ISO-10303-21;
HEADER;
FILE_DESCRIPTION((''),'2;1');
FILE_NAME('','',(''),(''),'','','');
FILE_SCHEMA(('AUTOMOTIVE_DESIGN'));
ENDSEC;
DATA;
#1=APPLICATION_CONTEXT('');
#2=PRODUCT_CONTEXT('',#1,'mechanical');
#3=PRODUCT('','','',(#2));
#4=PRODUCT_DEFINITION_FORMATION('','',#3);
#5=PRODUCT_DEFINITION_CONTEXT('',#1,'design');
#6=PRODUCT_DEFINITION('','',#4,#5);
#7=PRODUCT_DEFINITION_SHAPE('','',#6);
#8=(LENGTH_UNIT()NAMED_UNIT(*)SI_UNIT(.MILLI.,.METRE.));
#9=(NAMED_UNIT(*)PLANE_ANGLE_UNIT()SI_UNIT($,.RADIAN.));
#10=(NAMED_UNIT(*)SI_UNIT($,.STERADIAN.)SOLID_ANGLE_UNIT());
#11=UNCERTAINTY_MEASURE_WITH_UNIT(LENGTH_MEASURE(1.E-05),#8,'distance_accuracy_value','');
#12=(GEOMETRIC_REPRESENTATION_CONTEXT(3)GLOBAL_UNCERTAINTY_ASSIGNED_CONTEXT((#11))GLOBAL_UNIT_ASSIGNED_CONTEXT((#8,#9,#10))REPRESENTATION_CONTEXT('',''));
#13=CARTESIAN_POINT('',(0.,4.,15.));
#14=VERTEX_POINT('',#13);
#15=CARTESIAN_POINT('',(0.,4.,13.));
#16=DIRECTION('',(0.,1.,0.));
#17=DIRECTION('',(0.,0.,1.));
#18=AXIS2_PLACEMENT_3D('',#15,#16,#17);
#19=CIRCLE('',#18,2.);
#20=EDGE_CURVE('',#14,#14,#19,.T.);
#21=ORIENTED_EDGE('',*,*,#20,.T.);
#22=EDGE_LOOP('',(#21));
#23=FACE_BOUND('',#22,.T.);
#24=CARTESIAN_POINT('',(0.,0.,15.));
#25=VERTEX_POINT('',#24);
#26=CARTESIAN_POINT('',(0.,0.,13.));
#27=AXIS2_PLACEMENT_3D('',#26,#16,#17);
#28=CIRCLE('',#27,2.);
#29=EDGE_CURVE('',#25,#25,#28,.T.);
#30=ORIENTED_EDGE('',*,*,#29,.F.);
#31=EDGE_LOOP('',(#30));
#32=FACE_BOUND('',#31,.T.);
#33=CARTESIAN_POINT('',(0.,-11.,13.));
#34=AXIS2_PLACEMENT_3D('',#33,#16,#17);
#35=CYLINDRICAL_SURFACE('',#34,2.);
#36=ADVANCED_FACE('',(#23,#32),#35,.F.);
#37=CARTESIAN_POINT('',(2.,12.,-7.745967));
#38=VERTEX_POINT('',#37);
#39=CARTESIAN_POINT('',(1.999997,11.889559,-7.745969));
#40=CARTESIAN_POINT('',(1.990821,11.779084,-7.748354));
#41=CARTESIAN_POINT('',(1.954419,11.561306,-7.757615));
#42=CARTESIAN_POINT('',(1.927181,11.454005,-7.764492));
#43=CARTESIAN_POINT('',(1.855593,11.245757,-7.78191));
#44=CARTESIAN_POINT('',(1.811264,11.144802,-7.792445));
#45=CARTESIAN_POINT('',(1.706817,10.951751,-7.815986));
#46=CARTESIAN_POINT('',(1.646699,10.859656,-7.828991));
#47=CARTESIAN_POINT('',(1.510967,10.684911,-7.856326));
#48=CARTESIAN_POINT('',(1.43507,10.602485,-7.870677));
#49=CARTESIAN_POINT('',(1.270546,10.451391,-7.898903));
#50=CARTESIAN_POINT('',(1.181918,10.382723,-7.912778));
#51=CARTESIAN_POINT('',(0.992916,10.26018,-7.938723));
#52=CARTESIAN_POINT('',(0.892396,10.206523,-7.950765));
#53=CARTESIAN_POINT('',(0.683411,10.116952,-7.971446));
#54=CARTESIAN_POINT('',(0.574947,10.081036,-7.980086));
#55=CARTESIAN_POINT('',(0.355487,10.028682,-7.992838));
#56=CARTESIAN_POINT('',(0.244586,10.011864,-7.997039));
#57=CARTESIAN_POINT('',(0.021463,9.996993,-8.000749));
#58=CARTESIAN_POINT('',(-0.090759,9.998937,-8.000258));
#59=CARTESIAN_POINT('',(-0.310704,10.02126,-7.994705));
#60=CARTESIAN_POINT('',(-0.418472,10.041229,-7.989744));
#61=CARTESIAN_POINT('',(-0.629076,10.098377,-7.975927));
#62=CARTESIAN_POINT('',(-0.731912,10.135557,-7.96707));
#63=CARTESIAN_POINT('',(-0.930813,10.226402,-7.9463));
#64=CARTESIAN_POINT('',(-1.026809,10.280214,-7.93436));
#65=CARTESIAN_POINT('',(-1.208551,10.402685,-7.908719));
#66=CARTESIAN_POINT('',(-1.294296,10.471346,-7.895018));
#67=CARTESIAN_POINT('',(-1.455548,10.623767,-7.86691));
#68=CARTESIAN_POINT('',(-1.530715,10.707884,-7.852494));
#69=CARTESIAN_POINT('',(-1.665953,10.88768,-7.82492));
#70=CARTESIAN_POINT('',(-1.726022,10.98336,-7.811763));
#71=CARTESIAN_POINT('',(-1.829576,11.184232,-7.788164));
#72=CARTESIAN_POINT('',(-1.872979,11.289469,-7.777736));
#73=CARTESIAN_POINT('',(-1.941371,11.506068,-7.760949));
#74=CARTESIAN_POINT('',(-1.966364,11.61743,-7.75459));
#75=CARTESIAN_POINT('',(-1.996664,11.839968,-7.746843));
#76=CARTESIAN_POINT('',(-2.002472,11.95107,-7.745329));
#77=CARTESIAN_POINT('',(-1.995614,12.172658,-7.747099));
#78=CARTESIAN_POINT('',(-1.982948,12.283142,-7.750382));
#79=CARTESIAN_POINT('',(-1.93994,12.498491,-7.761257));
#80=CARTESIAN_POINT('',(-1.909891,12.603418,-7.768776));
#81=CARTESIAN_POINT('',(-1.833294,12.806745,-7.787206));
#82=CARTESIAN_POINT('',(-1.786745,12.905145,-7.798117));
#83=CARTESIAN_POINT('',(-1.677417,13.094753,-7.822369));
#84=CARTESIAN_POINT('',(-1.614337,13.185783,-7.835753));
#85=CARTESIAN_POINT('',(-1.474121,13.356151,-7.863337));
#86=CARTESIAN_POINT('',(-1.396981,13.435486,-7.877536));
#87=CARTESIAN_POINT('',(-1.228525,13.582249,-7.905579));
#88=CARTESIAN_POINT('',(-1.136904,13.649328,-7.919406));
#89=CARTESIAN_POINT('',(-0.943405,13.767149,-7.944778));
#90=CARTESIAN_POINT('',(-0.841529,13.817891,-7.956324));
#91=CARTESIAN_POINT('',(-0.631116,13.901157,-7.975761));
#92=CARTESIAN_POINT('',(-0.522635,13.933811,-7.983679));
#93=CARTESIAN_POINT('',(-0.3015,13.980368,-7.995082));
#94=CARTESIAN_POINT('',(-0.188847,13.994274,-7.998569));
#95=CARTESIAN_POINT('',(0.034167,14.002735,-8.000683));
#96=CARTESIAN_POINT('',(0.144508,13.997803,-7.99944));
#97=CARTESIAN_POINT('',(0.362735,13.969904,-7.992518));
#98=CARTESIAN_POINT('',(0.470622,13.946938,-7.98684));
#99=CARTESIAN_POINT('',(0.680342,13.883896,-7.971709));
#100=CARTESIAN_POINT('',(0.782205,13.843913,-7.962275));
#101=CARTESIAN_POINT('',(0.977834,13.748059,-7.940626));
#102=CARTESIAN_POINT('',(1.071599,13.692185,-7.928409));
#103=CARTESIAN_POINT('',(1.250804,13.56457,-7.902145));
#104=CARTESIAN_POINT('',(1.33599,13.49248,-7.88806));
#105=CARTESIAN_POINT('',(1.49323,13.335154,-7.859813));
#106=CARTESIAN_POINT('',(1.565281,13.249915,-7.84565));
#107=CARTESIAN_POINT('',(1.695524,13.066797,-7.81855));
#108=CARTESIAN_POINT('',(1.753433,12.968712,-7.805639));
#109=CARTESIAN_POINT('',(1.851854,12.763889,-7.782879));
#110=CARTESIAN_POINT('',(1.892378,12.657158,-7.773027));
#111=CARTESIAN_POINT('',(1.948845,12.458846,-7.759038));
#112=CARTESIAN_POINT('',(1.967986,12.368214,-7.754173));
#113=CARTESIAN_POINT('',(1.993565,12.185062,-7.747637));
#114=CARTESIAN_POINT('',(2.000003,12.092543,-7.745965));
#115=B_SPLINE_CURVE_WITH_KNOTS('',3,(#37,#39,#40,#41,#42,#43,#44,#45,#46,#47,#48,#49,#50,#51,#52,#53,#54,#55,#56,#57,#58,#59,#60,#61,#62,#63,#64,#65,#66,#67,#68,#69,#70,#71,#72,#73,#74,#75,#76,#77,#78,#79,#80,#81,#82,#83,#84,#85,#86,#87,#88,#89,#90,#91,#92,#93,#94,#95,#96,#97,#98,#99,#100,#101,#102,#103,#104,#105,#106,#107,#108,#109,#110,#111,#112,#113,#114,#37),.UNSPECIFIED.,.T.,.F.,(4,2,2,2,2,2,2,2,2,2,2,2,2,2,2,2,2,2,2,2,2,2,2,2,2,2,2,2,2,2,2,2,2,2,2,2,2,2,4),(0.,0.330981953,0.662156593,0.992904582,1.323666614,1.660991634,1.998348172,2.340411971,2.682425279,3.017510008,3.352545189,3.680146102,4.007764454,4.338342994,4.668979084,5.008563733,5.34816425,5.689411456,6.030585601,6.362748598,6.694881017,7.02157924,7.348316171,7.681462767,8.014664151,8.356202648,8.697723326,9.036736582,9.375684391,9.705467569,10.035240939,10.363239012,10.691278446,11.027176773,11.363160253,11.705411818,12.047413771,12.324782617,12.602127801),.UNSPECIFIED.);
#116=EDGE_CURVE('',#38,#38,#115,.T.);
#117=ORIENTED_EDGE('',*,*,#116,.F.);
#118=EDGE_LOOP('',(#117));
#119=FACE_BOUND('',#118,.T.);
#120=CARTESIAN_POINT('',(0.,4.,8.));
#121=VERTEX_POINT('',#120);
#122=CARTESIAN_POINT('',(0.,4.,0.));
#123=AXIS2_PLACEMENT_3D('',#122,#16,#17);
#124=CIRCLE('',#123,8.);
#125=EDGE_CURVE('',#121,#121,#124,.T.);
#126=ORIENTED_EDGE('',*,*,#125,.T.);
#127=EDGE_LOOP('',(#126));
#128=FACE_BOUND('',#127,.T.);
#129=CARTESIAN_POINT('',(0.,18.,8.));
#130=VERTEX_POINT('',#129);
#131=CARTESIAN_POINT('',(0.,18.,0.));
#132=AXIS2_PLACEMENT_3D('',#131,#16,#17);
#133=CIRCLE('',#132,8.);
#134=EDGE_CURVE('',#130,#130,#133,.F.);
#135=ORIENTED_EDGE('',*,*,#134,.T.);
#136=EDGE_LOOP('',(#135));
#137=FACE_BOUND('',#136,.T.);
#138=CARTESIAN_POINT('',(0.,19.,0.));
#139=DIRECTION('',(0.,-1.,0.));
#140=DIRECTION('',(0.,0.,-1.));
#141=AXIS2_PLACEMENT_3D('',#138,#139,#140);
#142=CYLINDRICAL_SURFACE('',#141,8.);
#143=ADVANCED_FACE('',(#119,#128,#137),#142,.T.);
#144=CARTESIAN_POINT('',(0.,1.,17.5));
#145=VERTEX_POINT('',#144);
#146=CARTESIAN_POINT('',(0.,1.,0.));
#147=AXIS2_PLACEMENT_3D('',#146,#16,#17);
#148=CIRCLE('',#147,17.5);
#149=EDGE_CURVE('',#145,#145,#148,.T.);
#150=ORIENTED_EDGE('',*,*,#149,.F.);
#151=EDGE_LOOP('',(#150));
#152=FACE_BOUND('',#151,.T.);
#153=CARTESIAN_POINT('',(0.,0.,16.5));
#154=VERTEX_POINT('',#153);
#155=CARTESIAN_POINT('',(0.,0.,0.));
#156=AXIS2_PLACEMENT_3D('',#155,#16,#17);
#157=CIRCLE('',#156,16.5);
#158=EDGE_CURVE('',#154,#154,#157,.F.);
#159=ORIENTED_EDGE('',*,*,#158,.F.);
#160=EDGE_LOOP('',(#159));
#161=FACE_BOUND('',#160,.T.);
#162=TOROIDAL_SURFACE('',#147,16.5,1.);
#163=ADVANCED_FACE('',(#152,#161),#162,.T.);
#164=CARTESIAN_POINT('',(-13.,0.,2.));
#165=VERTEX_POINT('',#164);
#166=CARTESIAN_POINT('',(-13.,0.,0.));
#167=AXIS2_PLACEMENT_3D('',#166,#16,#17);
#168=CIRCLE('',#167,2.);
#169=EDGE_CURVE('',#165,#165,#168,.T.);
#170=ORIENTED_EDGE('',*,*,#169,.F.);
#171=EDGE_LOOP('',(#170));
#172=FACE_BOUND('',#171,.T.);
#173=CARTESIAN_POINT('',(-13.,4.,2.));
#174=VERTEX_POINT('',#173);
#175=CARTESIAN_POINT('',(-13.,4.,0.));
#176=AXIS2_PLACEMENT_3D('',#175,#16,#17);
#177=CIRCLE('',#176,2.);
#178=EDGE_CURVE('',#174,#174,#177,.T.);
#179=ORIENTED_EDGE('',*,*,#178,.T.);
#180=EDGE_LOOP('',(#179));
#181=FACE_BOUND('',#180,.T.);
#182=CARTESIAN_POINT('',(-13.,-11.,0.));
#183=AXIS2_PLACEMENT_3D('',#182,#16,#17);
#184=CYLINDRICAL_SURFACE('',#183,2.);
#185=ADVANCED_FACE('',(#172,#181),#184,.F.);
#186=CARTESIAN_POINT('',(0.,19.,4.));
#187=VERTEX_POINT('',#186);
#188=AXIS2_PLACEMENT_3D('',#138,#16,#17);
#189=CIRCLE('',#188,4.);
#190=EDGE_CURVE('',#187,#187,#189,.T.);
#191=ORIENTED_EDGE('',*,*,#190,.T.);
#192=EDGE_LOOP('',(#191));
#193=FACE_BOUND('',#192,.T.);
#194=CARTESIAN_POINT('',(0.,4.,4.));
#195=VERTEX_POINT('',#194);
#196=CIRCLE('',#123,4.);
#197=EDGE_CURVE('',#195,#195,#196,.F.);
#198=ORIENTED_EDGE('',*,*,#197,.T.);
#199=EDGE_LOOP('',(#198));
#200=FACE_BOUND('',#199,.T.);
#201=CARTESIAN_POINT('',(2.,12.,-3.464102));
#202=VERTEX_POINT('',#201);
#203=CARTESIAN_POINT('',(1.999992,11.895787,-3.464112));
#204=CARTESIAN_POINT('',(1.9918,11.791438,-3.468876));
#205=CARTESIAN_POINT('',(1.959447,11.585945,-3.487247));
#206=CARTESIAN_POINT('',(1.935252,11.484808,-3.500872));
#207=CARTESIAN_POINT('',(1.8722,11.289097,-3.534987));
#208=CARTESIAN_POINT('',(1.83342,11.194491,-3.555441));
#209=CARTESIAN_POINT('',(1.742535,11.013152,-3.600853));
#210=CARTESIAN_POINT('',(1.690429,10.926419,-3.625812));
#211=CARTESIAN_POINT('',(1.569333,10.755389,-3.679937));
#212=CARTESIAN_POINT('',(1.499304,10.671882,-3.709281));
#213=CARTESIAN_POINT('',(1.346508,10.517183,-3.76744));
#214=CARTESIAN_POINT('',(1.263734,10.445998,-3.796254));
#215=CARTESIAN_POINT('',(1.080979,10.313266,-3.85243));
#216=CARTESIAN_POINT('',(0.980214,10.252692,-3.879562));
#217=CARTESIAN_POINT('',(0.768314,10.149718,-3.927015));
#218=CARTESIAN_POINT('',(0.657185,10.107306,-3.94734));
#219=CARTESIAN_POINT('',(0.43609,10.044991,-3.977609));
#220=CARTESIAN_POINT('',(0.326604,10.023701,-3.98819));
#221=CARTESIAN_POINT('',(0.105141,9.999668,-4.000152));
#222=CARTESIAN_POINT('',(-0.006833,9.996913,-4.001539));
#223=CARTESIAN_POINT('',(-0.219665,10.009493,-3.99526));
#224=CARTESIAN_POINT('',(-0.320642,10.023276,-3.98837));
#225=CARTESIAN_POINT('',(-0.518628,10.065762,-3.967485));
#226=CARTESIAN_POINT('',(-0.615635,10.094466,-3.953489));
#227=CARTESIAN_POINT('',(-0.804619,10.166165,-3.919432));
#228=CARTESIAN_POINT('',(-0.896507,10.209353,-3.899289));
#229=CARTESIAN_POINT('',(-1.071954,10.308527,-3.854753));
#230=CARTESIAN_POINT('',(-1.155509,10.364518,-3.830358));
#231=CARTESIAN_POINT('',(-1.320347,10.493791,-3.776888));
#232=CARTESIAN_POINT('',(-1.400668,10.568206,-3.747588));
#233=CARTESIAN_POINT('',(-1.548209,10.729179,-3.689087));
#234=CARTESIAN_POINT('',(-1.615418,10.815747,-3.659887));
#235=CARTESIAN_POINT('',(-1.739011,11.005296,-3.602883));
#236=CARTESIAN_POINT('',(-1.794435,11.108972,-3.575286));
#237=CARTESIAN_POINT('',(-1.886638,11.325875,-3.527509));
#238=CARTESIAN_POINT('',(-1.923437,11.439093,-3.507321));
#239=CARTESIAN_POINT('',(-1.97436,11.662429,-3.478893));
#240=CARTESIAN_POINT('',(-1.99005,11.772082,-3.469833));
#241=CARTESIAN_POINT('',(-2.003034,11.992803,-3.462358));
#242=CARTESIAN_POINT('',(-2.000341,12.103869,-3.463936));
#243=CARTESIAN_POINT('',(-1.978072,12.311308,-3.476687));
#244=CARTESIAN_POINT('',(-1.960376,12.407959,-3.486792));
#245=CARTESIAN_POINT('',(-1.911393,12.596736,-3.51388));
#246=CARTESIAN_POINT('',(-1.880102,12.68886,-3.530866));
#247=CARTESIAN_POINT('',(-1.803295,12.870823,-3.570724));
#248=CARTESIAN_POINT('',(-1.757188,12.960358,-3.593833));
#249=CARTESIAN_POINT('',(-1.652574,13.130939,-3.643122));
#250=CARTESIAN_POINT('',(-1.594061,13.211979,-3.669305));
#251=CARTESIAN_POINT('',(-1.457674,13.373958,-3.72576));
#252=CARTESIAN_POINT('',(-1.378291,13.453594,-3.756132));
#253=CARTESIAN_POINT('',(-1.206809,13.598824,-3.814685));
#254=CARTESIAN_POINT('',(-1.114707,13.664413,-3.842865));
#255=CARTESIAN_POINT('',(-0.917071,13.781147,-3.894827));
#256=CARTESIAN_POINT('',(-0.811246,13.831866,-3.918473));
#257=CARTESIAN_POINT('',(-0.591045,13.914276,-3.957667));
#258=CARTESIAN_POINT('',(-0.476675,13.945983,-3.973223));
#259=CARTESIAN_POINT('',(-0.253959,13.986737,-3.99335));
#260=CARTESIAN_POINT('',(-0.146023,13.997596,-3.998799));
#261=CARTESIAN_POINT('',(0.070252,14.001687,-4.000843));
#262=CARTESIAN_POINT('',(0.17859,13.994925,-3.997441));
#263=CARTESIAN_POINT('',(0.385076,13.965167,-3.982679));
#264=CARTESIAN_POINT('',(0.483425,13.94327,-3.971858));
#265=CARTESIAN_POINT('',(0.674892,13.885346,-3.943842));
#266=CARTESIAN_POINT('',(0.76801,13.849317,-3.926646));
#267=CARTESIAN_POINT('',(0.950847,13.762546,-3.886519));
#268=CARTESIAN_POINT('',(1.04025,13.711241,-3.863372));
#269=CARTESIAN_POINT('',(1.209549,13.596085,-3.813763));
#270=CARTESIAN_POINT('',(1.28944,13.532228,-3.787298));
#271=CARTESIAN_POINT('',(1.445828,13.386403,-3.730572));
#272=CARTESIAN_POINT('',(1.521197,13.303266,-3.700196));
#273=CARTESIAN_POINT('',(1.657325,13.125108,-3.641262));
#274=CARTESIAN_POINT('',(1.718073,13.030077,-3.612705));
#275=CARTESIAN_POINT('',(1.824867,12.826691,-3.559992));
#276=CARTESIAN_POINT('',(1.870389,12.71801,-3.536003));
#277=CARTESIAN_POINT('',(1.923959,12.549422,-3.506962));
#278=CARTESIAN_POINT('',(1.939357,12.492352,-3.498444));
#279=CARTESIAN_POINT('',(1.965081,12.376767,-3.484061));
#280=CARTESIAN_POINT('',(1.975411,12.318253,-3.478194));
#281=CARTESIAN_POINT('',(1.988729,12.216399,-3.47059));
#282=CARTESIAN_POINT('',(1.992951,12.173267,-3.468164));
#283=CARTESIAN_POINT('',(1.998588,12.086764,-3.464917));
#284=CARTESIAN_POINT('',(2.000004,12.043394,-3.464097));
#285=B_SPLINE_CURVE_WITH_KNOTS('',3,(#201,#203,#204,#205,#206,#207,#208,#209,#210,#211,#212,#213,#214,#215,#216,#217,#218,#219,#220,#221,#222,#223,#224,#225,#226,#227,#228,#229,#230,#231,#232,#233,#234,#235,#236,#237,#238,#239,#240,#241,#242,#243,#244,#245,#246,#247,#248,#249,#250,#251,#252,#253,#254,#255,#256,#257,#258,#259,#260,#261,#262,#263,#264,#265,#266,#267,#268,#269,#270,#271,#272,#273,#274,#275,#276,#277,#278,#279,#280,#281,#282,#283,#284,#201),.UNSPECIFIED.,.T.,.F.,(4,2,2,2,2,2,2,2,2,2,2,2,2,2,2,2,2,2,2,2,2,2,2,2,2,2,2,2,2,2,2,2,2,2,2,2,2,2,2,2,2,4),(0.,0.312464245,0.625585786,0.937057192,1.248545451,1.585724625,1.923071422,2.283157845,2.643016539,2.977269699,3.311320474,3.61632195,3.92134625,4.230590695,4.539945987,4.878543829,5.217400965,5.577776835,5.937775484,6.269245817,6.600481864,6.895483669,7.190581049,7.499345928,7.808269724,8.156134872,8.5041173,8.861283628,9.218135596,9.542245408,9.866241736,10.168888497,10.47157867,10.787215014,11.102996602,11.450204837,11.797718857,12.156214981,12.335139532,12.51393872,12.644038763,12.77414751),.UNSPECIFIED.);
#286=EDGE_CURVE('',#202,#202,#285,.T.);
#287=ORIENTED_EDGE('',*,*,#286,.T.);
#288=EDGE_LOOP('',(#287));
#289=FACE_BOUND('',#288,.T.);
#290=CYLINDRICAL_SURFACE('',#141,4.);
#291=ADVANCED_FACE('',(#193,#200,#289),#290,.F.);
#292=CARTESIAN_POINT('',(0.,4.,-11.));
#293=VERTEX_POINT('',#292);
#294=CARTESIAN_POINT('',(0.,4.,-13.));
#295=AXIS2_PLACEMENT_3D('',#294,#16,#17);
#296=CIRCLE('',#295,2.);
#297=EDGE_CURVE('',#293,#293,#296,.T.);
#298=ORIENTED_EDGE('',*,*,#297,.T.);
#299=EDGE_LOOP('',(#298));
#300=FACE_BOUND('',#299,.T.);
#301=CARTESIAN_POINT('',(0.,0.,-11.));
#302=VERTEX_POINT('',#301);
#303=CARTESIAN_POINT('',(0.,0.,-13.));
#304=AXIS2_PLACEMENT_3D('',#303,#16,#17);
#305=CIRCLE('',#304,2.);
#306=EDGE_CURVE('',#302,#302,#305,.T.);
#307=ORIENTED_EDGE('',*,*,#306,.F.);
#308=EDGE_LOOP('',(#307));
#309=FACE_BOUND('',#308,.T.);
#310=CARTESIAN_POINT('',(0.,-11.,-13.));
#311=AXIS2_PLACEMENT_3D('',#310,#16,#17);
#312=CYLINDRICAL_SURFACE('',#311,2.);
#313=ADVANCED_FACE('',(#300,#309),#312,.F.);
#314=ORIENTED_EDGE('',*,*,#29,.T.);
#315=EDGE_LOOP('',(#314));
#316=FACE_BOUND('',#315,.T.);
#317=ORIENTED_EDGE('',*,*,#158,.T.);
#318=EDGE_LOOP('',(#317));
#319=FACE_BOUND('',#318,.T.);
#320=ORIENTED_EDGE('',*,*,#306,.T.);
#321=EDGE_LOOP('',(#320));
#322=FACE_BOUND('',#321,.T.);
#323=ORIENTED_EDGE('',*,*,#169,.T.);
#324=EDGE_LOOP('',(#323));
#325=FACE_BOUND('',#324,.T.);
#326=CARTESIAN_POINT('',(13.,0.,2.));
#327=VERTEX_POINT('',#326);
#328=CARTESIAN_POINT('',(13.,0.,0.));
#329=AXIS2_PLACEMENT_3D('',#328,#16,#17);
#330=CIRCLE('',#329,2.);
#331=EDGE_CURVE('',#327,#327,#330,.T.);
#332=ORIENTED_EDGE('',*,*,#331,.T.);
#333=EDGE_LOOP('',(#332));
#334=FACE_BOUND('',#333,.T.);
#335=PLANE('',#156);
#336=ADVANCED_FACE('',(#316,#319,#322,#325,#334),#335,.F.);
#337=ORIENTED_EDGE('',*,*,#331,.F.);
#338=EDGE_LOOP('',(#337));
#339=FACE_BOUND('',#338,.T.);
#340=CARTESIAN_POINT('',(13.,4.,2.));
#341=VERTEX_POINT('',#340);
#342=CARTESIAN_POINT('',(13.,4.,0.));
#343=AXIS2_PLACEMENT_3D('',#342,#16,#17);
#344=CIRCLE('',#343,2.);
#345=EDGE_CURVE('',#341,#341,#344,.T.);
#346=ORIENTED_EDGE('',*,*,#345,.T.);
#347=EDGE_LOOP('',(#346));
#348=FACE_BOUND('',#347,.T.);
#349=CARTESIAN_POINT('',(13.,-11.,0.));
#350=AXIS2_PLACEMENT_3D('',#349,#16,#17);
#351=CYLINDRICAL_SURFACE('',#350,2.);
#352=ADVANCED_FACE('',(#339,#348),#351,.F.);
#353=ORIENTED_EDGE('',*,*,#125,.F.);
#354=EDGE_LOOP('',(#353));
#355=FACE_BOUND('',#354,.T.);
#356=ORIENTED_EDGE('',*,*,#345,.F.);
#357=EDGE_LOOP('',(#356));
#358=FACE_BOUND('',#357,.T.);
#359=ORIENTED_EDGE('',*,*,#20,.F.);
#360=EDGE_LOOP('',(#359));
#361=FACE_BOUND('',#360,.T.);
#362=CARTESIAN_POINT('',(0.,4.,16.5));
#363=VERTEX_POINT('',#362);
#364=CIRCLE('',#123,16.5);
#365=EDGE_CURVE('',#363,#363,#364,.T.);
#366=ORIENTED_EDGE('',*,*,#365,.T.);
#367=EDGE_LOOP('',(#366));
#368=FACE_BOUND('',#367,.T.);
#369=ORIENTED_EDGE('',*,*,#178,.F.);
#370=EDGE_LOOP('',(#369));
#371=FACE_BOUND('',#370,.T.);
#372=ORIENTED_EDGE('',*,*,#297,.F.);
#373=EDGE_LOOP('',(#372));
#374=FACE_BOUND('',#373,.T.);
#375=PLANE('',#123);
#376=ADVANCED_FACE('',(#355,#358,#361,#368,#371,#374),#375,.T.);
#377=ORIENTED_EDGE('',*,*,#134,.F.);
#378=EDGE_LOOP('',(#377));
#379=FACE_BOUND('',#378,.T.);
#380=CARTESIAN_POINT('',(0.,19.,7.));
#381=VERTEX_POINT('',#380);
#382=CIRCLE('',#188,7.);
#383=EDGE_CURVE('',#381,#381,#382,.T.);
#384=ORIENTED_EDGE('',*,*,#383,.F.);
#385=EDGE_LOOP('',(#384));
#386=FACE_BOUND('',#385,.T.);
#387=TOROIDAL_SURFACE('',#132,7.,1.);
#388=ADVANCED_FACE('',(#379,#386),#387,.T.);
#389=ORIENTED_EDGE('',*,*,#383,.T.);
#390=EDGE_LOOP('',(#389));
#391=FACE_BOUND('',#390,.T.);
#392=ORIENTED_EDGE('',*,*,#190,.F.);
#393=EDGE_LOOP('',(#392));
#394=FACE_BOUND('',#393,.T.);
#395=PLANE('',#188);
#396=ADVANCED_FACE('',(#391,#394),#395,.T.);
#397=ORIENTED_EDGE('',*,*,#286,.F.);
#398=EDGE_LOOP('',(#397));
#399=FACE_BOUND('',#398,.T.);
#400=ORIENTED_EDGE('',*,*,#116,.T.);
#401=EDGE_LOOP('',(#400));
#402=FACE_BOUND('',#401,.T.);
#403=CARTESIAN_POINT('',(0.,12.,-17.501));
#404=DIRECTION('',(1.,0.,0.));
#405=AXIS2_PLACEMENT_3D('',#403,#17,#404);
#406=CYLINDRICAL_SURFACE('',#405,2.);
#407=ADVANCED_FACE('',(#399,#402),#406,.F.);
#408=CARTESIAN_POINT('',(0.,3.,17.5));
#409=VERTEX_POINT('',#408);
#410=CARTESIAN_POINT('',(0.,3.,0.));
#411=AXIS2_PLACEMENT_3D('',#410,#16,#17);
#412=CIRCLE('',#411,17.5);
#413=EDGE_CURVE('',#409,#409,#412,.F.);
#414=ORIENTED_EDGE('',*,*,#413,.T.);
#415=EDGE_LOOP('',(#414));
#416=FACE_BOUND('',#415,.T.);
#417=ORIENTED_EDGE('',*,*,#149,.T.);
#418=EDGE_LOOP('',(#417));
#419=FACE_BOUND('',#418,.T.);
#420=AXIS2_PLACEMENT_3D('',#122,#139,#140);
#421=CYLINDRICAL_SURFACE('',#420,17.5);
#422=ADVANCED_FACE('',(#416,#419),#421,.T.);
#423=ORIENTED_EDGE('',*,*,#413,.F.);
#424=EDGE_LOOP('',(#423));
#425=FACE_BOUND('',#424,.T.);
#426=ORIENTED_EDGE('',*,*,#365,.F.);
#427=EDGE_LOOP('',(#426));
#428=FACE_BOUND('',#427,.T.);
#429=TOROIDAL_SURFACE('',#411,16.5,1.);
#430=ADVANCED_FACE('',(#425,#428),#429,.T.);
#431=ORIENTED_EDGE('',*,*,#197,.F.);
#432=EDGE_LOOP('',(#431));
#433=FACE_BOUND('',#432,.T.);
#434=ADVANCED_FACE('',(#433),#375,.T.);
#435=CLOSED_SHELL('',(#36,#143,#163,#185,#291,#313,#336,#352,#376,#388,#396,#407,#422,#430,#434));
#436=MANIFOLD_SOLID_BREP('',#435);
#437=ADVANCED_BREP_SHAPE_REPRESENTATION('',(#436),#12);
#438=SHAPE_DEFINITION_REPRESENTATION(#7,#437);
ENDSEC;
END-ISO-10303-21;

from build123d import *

# Parameters (mm, degrees)
SKETCH_1_R               = 17.5
EXTRUDE_1_DEPTH          = 4
SKETCH_2_R               = 8
SKETCH_2_R_2             = 4
EXTRUDE_2_DEPTH          = 15
CUT_EXTRUDE_1_REACH      = 33.201
CUT_EXTRUDE_1_END_RADIUS = 8
SKETCH_3_R               = 2
FILLET_1_R               = 1
SKETCH_4_R               = 2
CUT_EXTRUDE_2_DEPTH      = 15


with BuildPart() as part:
    # 草图1 → 凸台-拉伸1 (new body)
    with BuildSketch(Plane(origin=(0, 0, 0), x_dir=(1, 0, 0), z_dir=(0, 1, 0))):
        with Locations(Location((0, 0, 0), (0, 0, 270))):
            Circle(SKETCH_1_R)
    extrude(amount=EXTRUDE_1_DEPTH)

    # 草图2 → 凸台-拉伸2 (add)
    with BuildSketch(Plane(origin=(0, 4, 0), x_dir=(1, 0, 0), z_dir=(0, 1, 0))):
        with Locations(Location((0, 0, 0), (0, 0, 270))):
            Circle(SKETCH_2_R)
        with Locations(Location((0, 0, 0), (0, 0, 270))):
            Circle(SKETCH_2_R_2, mode=Mode.SUBTRACT)
    extrude(amount=EXTRUDE_2_DEPTH)

    # 切除-拉伸1: up to this cylinder (the profile starts inside it)
    cut_extrude_1_end = Plane(origin=(0, 12, 0), z_dir=(0, -1, 0)) * Cylinder(CUT_EXTRUDE_1_END_RADIUS, 83.402, mode=Mode.PRIVATE)
    # 草图3 → 切除-拉伸1 (cut, up to the surface)
    with BuildSketch(Plane.XY, mode=Mode.PRIVATE) as cut_extrude_1_sk1:
        with Locations((0, 12)):
            Circle(SKETCH_3_R)
    cut_extrude_1_tool1 = extrude(cut_extrude_1_sk1.sketch, amount=-CUT_EXTRUDE_1_REACH, mode=Mode.PRIVATE) & cut_extrude_1_end
    add(cut_extrude_1_tool1.solids().sort_by_distance((0, 12, 0))[0], mode=Mode.SUBTRACT)

    # 圆角1
    fillet_1_edges = [part.edges().sort_by_distance(p)[0] for p in [
        (0, 0, -17.5),
        (0, 4, -17.5),
        (0, 19, -8),
    ]]
    fillet(fillet_1_edges, radius=FILLET_1_R)

    # 草图4 → 切除-拉伸2 (cut)
    with BuildSketch(Plane(origin=(0, 4, 0), x_dir=(1, 0, 0), z_dir=(0, 1, 0))):
        with Locations(Location((-13, 0, 0), (0, 0, 270))):
            Circle(SKETCH_4_R)
        with Locations(Location((0, -13, 0), (0, 0, 270))):
            Circle(SKETCH_4_R)
        with Locations(Location((0, 13, 0), (0, 0, 270))):
            Circle(SKETCH_4_R)
        with Locations(Location((13, 0, 0), (0, 0, 270))):
            Circle(SKETCH_4_R)
    extrude(amount=-CUT_EXTRUDE_2_DEPTH, mode=Mode.SUBTRACT)


solid = part.part
